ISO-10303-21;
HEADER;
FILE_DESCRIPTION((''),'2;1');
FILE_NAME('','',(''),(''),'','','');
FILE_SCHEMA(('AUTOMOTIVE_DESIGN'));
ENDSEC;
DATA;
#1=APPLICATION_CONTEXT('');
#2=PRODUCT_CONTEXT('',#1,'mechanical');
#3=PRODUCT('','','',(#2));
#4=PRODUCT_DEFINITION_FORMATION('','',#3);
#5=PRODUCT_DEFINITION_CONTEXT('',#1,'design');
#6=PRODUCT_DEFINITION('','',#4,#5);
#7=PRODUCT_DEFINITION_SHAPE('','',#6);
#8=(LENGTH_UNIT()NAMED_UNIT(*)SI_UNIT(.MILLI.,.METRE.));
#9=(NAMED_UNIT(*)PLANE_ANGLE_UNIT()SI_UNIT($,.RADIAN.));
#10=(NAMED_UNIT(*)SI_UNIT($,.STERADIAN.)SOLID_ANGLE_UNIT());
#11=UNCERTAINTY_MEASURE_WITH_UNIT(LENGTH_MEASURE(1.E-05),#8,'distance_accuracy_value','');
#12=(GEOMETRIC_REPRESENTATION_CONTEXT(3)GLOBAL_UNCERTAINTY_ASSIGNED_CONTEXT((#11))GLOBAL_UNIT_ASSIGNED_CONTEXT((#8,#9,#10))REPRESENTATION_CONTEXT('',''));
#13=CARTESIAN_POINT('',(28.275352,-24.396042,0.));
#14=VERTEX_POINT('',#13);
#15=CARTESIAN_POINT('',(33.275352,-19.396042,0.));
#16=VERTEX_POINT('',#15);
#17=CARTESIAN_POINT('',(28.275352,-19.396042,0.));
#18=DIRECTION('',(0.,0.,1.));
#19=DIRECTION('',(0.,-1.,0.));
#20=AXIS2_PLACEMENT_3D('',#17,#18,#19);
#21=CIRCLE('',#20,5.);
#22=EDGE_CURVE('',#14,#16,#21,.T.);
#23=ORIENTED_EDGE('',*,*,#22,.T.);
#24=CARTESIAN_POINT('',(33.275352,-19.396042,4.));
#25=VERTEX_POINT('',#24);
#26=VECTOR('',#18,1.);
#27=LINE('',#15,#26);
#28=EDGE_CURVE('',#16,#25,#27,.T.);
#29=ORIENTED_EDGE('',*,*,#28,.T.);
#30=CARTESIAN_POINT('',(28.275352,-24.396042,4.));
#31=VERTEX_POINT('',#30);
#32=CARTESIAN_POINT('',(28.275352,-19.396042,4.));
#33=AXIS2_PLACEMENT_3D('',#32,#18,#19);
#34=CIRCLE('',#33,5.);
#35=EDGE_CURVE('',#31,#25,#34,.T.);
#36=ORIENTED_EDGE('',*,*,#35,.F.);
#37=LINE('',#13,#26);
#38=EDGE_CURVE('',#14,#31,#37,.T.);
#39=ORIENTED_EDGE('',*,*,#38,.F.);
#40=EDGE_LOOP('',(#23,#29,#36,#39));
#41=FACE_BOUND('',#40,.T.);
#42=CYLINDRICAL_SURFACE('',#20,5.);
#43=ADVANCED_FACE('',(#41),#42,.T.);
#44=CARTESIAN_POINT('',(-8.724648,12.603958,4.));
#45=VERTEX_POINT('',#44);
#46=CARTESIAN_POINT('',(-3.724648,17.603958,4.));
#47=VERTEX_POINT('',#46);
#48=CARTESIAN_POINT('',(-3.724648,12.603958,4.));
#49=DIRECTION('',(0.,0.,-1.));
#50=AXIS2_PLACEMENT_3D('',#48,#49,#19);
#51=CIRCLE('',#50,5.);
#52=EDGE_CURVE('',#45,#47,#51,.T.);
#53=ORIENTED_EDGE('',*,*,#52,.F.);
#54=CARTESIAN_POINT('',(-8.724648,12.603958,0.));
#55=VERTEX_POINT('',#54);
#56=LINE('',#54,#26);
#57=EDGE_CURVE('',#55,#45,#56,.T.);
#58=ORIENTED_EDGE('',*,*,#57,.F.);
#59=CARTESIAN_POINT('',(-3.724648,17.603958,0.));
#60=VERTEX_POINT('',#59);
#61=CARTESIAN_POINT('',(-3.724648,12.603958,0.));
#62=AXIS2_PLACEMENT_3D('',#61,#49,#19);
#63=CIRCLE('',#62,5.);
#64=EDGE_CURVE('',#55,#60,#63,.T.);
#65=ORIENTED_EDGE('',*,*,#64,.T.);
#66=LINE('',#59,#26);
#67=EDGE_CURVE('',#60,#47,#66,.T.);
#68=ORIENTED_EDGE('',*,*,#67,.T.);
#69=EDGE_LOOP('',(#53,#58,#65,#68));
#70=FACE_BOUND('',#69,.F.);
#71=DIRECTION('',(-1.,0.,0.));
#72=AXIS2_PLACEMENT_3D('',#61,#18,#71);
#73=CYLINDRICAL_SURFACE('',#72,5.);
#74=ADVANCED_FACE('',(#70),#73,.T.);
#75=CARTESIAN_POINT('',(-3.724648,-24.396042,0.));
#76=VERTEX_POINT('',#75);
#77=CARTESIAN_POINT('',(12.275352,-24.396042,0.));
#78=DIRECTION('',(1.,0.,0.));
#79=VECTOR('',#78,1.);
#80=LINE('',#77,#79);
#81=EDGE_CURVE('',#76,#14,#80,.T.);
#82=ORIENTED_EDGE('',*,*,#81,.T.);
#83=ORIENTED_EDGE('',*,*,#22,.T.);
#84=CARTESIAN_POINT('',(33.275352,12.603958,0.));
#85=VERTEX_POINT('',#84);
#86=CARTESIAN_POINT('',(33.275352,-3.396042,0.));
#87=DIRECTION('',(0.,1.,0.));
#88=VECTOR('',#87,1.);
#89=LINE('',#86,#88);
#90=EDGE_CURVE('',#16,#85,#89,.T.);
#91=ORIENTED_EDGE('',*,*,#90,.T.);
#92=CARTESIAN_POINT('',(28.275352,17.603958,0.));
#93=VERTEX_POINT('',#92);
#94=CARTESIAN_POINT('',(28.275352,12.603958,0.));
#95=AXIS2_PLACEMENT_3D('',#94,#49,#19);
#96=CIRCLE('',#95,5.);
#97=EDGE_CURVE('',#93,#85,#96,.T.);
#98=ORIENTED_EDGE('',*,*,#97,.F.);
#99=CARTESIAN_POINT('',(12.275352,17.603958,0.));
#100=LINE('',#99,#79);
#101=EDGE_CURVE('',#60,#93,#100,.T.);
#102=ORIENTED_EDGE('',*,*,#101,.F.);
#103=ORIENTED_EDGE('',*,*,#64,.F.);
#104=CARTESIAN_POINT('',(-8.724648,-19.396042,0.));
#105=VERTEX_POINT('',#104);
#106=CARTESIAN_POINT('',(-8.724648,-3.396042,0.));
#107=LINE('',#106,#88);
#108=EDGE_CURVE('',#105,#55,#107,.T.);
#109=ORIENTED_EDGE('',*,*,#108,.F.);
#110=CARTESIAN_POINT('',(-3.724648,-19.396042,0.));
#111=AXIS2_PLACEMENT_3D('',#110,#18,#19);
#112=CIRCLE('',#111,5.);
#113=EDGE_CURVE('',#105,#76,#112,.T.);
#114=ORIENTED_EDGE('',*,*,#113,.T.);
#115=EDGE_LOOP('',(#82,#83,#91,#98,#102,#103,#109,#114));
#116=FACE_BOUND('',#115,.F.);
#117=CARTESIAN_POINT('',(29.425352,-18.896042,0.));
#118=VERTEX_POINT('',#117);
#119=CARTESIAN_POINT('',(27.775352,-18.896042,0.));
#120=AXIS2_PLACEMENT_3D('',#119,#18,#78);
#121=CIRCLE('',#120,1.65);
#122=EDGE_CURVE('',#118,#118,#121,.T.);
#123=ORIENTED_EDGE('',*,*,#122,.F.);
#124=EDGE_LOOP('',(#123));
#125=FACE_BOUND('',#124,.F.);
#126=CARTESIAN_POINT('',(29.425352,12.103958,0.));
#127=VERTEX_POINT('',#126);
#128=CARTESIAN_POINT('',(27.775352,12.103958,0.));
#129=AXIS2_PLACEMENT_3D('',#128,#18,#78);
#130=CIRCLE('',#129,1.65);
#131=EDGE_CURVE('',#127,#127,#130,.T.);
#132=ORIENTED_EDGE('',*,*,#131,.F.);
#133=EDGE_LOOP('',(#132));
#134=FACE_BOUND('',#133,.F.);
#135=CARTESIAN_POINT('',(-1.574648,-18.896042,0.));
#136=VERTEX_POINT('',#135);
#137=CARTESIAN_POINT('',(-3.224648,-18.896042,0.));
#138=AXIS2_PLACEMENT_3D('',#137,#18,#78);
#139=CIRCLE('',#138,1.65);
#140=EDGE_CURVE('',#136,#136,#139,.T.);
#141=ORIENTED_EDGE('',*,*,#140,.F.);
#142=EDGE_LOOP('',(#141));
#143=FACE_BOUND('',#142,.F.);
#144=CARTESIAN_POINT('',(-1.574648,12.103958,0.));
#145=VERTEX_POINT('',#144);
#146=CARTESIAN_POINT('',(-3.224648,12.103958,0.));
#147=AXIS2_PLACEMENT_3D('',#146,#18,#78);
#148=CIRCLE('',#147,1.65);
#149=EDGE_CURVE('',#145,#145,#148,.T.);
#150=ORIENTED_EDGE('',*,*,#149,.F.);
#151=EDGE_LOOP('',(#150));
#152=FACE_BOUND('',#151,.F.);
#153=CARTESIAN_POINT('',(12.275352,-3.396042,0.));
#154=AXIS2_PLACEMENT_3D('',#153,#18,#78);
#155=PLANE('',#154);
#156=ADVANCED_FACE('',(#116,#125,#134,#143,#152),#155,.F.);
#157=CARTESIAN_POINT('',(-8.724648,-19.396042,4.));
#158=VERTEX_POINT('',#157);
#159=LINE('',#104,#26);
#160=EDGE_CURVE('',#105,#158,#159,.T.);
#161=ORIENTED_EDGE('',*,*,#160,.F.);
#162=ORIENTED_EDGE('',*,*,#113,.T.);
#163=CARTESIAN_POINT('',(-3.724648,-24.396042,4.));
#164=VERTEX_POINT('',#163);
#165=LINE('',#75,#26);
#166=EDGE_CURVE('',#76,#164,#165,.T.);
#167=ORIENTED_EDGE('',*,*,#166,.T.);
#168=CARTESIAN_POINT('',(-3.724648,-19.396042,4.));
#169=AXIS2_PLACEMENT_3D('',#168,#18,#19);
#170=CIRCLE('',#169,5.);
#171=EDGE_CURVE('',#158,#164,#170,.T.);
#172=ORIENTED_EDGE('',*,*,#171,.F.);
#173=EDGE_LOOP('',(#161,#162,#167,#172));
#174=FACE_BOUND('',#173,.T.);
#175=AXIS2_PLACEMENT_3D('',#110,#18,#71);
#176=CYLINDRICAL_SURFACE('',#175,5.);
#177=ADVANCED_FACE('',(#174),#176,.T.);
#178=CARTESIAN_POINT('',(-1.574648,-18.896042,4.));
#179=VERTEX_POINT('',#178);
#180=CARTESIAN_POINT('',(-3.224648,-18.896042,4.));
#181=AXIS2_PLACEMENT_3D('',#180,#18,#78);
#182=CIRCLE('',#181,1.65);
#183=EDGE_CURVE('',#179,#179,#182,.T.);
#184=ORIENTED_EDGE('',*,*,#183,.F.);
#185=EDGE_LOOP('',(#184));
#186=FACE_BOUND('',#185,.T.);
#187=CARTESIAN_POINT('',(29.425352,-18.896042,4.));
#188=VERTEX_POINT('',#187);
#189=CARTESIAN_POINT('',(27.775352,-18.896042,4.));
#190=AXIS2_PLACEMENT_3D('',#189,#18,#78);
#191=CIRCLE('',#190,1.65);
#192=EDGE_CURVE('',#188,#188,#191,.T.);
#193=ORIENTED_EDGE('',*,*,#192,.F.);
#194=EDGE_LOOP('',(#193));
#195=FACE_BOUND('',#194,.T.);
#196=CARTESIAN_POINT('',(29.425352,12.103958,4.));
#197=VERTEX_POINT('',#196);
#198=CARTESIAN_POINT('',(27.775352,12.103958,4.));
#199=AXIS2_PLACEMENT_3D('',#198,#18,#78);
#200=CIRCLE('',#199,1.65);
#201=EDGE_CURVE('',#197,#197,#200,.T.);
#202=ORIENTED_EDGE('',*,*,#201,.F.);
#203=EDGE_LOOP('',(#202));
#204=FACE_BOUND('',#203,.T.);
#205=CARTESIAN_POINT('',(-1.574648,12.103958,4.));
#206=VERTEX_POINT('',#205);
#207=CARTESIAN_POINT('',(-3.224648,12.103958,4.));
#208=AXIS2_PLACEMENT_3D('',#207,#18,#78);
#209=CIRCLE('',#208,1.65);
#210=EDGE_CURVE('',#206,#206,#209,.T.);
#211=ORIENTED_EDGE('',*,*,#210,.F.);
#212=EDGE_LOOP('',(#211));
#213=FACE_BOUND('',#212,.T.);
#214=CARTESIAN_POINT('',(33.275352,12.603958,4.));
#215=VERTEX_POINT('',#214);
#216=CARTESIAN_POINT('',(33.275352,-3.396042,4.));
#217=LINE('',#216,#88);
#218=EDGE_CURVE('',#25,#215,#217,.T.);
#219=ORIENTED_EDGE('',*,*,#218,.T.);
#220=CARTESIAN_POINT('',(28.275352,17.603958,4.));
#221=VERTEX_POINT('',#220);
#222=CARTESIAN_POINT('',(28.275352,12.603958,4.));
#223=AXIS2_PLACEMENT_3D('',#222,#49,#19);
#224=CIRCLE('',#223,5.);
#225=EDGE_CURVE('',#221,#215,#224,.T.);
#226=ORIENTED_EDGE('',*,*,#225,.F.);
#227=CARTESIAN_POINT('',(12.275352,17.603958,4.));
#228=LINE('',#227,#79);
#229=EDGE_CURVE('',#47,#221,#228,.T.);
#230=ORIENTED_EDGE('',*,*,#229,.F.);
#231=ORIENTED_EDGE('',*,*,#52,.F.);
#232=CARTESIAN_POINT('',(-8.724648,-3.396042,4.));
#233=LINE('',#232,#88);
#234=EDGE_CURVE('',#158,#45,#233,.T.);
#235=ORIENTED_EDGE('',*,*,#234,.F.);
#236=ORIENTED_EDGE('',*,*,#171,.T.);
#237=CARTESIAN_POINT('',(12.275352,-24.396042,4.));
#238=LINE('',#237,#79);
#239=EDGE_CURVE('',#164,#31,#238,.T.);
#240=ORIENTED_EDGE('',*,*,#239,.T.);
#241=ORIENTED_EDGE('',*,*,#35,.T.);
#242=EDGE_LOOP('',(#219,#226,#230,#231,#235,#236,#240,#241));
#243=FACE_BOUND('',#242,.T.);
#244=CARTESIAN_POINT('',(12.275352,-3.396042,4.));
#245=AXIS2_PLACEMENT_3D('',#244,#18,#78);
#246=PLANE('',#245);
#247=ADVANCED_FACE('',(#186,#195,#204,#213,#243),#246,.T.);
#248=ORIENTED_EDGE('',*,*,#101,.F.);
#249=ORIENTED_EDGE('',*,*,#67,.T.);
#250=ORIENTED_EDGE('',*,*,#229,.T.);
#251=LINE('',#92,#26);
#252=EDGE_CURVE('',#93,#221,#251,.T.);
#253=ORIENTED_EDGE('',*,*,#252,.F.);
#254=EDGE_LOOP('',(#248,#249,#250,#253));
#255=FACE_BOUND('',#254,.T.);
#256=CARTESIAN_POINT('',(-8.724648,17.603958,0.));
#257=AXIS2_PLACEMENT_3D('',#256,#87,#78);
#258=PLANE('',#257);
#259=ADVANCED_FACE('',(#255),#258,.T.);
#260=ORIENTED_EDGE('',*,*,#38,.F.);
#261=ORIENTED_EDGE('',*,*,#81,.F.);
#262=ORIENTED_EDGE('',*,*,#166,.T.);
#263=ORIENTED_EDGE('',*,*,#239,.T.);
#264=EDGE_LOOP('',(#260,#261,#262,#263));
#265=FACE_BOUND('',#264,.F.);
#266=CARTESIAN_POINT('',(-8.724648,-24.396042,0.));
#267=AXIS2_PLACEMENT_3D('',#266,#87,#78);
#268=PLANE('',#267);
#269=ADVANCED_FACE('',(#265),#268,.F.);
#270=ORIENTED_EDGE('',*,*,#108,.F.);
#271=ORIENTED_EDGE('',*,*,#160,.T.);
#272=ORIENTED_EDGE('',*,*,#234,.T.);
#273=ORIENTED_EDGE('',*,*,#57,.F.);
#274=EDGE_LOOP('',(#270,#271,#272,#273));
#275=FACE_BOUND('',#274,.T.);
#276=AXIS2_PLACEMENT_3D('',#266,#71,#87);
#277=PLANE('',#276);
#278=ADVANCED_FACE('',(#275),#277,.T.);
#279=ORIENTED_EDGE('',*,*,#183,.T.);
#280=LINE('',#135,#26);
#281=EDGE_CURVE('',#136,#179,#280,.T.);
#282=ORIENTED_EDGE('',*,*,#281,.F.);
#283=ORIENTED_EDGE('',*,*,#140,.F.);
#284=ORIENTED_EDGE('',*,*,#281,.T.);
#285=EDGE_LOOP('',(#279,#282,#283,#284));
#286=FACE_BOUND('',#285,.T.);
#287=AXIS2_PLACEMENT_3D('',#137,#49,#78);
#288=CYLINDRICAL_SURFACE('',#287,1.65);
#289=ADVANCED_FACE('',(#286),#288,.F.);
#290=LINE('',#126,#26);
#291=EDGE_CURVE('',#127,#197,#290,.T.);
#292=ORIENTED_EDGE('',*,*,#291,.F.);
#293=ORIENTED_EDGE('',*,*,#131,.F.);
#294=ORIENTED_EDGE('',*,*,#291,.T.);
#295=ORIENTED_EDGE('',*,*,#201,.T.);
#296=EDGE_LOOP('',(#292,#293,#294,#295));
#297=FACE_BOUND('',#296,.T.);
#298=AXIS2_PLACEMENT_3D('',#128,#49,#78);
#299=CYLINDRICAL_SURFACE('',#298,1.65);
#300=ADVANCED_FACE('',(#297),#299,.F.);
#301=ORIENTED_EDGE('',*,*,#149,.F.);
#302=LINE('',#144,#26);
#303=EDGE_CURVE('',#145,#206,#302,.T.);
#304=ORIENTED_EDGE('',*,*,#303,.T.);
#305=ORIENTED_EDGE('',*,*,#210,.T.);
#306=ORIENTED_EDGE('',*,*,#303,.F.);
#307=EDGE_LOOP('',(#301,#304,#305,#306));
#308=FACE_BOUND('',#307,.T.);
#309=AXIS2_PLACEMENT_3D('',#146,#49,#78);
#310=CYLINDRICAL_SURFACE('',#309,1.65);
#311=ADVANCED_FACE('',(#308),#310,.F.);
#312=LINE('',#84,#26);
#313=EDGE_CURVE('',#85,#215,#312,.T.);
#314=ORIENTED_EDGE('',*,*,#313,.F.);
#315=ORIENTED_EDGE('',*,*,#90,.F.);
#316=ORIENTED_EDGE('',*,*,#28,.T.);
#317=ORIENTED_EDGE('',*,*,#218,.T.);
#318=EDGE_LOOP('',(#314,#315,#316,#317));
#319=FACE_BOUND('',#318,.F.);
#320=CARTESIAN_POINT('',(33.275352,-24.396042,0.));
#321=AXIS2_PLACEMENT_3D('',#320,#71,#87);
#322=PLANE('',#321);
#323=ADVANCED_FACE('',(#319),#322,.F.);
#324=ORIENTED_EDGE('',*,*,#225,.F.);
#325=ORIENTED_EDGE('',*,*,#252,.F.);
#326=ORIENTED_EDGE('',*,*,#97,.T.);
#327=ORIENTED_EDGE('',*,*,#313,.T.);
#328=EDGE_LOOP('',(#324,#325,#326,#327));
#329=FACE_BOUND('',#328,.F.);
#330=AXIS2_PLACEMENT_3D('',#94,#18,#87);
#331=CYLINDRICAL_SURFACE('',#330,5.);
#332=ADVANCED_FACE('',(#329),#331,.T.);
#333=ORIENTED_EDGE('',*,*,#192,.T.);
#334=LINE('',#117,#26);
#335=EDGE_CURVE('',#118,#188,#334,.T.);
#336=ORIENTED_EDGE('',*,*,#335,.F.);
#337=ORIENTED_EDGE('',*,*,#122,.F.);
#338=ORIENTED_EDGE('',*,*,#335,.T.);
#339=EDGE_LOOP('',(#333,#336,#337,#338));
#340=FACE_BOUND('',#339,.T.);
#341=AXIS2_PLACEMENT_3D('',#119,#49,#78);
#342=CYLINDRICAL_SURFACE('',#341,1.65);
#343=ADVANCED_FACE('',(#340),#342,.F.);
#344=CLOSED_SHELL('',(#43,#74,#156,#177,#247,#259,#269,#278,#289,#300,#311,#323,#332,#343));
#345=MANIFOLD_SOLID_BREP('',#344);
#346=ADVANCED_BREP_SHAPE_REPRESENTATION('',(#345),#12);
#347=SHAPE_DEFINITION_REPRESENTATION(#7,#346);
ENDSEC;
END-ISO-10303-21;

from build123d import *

# Parameters (mm, degrees)
F0_W     = 42
F0_H     = 42
F0_R     = 1.65
F1_DEPTH = 4
F2_R     = 5


with BuildPart() as f1:
    # F0 (on Top) → F1 (new body)
    with BuildSketch(Plane.XY):
        with Locations((12.275352, -3.396042)):
            Rectangle(F0_W, F0_H)
        with Locations((-3.224648, -18.896042)):
            Circle(F0_R, mode=Mode.SUBTRACT)
        with Locations((27.775352, -18.896042)):
            Circle(F0_R, mode=Mode.SUBTRACT)
        with Locations((-3.224648, 12.103958)):
            Circle(F0_R, mode=Mode.SUBTRACT)
        with Locations((27.775352, 12.103958)):
            Circle(F0_R, mode=Mode.SUBTRACT)
    extrude(amount=F1_DEPTH)

    # F2
    f2_edges = [f1.edges().sort_by_distance(p)[0] for p in [
        (-8.724648, -24.396042, 2),
        (33.275352, -24.396042, 2),
        (33.275352, 17.603958, 2),
        (-8.724648, 17.603958, 2),
    ]]
    fillet(f2_edges, radius=F2_R)


solid = f1.part
